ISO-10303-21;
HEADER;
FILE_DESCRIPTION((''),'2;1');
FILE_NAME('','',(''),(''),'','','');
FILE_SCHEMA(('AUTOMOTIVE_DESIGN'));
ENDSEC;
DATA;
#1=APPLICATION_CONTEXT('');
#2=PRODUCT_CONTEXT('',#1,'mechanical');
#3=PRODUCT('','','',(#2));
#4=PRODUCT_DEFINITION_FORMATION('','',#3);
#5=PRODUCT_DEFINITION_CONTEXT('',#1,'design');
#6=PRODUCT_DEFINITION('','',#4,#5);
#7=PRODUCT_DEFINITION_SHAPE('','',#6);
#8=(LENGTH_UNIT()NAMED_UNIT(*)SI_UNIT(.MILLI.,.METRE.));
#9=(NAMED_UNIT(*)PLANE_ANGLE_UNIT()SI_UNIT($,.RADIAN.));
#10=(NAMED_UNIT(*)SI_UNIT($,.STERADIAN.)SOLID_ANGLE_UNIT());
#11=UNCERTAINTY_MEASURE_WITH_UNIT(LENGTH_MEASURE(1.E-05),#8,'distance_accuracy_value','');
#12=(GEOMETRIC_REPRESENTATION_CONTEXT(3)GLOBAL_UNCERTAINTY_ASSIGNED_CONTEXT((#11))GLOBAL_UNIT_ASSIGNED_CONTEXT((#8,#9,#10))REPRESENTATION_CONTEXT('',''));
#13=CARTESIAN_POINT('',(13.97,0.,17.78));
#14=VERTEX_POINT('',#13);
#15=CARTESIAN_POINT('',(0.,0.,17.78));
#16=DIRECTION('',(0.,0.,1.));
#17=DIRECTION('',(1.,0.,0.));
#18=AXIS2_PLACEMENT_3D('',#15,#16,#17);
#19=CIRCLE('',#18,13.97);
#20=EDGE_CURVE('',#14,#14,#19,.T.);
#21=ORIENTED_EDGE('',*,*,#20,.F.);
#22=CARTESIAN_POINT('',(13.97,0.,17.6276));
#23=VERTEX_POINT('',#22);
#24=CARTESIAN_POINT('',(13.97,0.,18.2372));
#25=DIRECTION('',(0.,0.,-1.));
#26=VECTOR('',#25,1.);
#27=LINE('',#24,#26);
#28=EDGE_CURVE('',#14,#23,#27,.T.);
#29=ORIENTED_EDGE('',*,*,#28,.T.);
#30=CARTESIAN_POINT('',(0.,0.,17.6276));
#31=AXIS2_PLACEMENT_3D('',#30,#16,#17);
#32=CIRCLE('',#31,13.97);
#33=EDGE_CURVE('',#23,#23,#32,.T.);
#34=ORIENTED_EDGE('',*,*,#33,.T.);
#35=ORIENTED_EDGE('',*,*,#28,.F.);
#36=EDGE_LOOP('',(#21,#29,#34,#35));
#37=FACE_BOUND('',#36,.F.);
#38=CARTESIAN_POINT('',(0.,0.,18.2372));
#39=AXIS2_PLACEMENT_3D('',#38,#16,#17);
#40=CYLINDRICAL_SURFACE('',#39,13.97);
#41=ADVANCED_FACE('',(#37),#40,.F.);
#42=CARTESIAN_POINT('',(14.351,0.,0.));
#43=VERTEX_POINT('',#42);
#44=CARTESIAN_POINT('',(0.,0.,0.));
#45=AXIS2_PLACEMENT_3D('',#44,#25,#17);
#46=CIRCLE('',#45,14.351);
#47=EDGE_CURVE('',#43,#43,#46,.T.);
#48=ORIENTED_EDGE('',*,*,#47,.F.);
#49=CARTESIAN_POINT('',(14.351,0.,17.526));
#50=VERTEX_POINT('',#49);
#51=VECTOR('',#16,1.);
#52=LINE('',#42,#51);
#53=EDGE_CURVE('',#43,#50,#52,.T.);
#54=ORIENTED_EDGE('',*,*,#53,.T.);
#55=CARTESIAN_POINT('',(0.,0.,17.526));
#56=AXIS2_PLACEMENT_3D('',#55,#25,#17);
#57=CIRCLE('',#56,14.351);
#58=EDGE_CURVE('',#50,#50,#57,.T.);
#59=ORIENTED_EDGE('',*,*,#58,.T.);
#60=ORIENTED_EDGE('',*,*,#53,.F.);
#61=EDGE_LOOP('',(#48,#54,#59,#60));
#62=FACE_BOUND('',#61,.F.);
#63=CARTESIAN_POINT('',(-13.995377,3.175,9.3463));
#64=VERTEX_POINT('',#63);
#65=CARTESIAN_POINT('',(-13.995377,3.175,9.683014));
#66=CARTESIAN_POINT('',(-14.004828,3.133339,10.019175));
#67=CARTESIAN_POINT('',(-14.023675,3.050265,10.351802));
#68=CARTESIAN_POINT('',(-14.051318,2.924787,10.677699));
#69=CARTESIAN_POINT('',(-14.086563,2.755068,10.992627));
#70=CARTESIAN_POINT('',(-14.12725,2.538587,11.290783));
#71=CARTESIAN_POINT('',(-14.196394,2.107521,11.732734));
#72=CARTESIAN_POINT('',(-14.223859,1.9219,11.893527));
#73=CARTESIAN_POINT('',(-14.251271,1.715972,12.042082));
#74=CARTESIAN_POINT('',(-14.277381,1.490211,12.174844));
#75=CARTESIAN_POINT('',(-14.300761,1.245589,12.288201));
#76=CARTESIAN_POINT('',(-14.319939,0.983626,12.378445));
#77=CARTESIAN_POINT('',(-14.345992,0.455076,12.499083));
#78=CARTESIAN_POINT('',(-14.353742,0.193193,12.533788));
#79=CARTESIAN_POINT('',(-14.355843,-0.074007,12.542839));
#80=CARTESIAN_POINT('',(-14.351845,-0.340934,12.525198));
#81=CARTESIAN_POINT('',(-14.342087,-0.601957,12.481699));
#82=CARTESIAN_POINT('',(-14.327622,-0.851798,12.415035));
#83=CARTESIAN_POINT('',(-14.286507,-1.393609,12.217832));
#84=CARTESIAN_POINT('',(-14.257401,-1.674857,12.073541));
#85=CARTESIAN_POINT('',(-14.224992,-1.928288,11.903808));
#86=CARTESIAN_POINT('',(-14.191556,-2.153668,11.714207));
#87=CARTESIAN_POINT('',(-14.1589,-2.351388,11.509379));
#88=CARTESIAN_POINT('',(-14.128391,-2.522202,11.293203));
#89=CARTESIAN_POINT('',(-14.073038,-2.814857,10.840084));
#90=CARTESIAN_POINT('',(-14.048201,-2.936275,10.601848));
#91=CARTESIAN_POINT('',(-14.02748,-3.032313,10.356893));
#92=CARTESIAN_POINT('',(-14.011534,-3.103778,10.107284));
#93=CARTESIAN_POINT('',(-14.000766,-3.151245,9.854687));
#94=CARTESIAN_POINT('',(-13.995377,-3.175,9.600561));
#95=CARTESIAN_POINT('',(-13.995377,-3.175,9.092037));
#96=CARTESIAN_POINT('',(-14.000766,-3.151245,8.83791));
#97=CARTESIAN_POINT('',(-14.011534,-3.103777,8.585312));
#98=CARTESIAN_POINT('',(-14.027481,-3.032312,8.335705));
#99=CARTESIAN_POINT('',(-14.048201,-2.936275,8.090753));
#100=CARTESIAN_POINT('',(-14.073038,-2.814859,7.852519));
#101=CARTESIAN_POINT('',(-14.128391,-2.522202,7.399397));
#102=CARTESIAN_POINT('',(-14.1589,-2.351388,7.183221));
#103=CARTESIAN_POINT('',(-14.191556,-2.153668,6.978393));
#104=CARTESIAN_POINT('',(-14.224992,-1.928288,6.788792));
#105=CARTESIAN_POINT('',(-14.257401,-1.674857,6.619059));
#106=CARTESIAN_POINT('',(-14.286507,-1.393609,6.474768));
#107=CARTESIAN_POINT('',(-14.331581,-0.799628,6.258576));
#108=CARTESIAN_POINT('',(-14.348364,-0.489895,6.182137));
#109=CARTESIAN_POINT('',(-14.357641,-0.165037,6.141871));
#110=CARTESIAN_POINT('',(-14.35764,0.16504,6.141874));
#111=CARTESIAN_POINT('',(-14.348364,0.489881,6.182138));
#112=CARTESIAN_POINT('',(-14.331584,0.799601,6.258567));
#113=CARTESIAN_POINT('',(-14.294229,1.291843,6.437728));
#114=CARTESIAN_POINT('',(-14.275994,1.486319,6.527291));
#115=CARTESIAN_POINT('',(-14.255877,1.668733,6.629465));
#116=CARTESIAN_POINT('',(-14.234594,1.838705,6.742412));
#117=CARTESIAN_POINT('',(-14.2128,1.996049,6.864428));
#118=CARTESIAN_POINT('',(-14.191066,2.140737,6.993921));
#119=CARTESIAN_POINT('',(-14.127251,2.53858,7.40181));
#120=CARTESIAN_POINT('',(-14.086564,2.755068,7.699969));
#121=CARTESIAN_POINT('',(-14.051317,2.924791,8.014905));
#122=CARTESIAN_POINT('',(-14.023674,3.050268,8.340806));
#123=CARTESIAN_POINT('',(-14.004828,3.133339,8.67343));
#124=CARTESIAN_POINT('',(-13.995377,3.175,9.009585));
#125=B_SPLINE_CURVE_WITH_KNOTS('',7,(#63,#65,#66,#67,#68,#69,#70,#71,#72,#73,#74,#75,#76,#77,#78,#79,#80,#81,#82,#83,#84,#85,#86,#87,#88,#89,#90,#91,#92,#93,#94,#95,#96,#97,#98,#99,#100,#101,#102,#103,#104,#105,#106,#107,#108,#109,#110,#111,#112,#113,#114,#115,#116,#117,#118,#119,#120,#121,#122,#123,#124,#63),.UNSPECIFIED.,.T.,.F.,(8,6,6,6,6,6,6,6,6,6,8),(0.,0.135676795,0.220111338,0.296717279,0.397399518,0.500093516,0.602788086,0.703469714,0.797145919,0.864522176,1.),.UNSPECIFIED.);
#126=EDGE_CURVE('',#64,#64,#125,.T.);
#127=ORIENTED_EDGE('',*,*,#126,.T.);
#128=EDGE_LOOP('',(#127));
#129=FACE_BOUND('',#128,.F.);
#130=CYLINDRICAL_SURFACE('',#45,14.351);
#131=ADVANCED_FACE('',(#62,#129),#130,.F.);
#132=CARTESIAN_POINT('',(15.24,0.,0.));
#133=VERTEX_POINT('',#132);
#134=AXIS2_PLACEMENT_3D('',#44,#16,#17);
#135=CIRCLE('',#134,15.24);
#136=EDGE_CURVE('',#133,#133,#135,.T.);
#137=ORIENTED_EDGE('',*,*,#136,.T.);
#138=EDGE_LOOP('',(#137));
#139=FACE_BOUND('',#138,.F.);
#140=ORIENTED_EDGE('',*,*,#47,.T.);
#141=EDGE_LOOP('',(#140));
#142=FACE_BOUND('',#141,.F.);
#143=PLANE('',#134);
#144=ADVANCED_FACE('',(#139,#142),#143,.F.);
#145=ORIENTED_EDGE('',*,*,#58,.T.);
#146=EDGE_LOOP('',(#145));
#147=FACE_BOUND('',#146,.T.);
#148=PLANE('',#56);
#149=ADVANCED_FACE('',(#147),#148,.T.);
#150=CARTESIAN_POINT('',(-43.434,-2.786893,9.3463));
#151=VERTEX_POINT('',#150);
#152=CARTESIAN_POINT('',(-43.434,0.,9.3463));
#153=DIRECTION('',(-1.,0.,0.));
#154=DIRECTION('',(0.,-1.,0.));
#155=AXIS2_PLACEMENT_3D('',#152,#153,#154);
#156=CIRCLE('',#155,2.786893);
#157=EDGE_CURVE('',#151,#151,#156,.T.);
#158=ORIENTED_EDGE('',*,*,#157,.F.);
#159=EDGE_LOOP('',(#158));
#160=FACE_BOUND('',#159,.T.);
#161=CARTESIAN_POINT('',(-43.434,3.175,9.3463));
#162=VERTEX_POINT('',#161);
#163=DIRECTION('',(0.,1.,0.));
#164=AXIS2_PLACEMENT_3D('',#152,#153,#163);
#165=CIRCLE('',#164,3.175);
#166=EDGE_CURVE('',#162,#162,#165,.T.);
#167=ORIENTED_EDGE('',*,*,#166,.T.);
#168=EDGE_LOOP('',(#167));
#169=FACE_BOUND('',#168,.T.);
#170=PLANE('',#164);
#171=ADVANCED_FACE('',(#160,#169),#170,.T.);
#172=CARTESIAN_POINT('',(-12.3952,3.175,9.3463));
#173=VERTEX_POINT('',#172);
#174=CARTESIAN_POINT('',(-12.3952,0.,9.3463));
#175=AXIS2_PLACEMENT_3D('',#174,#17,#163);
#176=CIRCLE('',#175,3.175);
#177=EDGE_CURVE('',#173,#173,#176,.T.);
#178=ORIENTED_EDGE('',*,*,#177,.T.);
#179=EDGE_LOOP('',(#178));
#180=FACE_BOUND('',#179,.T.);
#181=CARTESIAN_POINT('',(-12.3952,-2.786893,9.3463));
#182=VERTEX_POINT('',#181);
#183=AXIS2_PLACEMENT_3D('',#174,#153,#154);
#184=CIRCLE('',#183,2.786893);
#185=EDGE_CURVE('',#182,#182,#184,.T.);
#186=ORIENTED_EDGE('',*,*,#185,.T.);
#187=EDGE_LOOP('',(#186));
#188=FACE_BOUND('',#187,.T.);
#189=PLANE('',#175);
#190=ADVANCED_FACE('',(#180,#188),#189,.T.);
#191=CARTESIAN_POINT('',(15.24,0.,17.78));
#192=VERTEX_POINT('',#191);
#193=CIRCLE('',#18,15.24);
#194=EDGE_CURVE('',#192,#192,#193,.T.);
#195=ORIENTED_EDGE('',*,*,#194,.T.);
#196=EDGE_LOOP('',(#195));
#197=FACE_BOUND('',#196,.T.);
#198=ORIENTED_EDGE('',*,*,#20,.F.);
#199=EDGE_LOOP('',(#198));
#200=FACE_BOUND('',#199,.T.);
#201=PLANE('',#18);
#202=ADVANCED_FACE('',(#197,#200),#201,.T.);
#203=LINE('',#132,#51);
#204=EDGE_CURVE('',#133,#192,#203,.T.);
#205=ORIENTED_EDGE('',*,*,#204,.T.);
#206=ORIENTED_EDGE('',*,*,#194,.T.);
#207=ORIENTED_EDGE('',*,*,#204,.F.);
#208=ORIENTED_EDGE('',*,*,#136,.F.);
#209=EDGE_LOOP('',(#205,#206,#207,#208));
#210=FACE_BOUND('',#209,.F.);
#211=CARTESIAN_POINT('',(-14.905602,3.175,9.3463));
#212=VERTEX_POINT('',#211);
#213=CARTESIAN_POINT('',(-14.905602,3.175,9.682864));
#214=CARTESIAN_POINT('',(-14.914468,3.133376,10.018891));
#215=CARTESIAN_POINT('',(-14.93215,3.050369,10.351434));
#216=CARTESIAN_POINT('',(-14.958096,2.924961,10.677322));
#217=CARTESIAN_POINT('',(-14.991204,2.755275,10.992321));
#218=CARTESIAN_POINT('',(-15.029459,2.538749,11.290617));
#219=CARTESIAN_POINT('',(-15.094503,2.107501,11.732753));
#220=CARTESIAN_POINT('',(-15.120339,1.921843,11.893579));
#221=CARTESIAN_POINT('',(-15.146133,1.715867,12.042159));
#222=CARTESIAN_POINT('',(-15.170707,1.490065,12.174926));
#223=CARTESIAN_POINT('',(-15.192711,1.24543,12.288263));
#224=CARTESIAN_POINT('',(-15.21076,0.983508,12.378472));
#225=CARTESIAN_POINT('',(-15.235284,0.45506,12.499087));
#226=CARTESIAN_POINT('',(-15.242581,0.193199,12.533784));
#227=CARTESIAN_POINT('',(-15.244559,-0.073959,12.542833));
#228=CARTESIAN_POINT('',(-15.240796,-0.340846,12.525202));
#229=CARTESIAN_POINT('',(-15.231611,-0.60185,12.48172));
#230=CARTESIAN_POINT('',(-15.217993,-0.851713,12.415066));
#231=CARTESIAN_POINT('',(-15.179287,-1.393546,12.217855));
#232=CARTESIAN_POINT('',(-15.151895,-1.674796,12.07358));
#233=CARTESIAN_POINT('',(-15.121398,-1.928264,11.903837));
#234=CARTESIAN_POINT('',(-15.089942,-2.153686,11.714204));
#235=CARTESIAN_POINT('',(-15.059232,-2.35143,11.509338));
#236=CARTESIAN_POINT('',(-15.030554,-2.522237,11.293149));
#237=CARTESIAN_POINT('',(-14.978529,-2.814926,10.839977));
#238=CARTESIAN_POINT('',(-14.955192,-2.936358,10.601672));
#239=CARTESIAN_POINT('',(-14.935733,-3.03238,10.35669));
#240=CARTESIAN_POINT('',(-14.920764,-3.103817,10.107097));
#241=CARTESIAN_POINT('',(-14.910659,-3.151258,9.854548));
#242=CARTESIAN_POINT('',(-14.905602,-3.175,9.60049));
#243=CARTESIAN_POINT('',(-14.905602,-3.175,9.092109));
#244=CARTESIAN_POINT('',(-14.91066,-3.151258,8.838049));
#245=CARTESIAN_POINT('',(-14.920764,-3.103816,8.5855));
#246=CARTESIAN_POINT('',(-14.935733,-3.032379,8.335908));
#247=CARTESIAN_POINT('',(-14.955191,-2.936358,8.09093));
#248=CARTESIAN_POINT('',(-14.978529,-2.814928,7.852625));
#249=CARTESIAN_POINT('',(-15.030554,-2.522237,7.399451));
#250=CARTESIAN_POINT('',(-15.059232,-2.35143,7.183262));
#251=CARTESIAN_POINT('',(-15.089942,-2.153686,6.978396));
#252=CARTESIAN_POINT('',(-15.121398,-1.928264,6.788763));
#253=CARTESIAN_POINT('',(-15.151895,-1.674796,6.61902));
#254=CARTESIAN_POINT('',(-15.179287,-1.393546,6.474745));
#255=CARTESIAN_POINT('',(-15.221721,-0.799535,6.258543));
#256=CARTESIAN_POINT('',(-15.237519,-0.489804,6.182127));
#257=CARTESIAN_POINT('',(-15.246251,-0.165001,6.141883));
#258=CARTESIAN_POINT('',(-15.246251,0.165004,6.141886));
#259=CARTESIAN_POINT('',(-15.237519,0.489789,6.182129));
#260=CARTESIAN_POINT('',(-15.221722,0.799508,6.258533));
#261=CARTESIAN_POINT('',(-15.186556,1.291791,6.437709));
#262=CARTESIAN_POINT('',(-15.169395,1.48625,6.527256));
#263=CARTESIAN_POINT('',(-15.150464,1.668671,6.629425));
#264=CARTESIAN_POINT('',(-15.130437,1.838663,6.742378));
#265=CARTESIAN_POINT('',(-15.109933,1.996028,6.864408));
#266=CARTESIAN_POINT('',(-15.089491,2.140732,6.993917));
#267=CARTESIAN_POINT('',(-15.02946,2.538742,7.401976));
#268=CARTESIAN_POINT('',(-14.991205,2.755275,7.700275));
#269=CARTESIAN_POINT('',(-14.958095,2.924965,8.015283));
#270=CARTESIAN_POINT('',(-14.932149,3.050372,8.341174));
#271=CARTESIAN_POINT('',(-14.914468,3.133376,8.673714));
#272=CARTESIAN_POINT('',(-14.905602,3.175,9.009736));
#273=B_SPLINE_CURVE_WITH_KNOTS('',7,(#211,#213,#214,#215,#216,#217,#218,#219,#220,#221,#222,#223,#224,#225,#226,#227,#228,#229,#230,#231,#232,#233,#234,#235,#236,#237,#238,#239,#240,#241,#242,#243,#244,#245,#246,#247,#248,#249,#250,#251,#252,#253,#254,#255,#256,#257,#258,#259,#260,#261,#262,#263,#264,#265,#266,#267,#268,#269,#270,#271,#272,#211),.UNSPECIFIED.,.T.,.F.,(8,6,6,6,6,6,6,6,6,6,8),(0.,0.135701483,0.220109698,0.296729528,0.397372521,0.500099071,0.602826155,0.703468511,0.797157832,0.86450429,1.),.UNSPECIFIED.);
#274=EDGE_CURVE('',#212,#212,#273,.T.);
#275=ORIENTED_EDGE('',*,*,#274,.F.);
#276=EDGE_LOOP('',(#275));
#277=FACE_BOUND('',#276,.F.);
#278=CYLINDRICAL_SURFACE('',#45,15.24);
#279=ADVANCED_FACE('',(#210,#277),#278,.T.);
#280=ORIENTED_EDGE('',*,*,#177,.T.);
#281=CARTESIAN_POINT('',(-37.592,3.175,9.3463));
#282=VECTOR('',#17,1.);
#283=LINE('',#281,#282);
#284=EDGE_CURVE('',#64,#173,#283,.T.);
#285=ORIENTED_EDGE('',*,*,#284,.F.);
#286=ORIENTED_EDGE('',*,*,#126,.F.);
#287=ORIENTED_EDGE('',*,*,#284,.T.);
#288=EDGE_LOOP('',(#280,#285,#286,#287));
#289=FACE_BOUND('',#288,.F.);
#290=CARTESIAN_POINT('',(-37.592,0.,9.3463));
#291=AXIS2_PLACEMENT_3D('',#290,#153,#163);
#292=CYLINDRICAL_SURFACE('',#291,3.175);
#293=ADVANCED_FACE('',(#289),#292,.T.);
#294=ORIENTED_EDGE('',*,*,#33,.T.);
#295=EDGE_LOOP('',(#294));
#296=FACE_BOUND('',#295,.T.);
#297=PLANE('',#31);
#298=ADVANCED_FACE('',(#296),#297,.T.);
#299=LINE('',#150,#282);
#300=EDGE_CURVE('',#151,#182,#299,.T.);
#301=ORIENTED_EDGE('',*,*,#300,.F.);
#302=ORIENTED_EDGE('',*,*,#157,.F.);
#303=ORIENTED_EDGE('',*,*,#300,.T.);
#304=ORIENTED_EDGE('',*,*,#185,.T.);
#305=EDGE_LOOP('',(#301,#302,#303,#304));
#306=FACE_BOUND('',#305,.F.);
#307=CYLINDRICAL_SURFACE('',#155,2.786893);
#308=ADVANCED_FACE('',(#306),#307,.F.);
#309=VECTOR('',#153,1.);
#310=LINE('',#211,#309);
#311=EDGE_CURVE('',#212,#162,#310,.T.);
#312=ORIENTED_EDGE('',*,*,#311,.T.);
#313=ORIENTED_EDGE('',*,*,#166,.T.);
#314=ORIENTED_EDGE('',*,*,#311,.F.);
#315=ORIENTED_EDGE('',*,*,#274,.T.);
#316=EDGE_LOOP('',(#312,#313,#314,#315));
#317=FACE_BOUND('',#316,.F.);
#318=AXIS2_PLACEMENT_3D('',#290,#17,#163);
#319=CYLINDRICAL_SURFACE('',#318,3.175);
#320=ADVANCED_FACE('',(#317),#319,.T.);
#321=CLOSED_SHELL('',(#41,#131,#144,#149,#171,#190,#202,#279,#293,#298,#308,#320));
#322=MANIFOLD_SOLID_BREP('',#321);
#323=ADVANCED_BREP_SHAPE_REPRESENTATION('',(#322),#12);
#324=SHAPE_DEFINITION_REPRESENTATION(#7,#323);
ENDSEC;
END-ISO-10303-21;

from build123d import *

# Parameters (mm, degrees)
F0_R       = 15.24
F1_DEPTH   = 17.78
F2_R       = 14.351
F3_DEPTH   = 17.526
F5_R       = 3.175
F6_DEPTH   = 25.1968
F6_FACE_R  = 3.175
F7_DEPTH   = 5.842
F8_R       = 2.786893
F9_DEPTH   = 33.5026
F12_R      = 13.97
F13_DEPTH  = 0.4572
F13_FACE_R = 13.97
F14_DEPTH  = 0.6096


with BuildPart() as f1:
    # F0 (on Top) → F1 (new body)
    with BuildSketch(Plane.XY):
        Circle(F0_R)
    extrude(amount=F1_DEPTH)

    # F2 (on face) → F3 (cut)
    with BuildSketch(Plane(origin=(0, 0, 0), x_dir=(1, 0, 0), z_dir=(0, 0, -1))):
        Circle(F2_R)
    extrude(amount=-F3_DEPTH, mode=Mode.SUBTRACT)

    # F5 (on offset) → F6 (join)
    with BuildSketch(Plane.YZ.offset(-37.592)):
        with Locations((0, 9.3463)):
            Circle(F5_R)
    extrude(amount=F6_DEPTH)

    # F6_face (on face) → F7 (join)
    with BuildSketch(Plane(origin=(-37.592, 0, 9.3463), x_dir=(0, 1, 0), z_dir=(-1, 0, 0))):
        Circle(F6_FACE_R)
    extrude(amount=F7_DEPTH)

    # F8 (on face) → F9 (cut)
    with BuildSketch(Plane(origin=(-43.434, 0, 0), x_dir=(0, -1, 0), z_dir=(-1, 0, 0))):
        with Locations((0, 9.3463)):
            Circle(F8_R)
    extrude(amount=-F9_DEPTH, mode=Mode.SUBTRACT)

    # F12 (on face) → F13 (join)
    with BuildSketch(Plane.XY.offset(17.78)):
        Circle(F12_R)
    extrude(amount=F13_DEPTH)

    # F13_face (on face) → F14 (cut)
    with BuildSketch(Plane.XY.offset(18.2372)):
        Circle(F13_FACE_R)
    extrude(amount=-F14_DEPTH, mode=Mode.SUBTRACT)


solid = f1.part
